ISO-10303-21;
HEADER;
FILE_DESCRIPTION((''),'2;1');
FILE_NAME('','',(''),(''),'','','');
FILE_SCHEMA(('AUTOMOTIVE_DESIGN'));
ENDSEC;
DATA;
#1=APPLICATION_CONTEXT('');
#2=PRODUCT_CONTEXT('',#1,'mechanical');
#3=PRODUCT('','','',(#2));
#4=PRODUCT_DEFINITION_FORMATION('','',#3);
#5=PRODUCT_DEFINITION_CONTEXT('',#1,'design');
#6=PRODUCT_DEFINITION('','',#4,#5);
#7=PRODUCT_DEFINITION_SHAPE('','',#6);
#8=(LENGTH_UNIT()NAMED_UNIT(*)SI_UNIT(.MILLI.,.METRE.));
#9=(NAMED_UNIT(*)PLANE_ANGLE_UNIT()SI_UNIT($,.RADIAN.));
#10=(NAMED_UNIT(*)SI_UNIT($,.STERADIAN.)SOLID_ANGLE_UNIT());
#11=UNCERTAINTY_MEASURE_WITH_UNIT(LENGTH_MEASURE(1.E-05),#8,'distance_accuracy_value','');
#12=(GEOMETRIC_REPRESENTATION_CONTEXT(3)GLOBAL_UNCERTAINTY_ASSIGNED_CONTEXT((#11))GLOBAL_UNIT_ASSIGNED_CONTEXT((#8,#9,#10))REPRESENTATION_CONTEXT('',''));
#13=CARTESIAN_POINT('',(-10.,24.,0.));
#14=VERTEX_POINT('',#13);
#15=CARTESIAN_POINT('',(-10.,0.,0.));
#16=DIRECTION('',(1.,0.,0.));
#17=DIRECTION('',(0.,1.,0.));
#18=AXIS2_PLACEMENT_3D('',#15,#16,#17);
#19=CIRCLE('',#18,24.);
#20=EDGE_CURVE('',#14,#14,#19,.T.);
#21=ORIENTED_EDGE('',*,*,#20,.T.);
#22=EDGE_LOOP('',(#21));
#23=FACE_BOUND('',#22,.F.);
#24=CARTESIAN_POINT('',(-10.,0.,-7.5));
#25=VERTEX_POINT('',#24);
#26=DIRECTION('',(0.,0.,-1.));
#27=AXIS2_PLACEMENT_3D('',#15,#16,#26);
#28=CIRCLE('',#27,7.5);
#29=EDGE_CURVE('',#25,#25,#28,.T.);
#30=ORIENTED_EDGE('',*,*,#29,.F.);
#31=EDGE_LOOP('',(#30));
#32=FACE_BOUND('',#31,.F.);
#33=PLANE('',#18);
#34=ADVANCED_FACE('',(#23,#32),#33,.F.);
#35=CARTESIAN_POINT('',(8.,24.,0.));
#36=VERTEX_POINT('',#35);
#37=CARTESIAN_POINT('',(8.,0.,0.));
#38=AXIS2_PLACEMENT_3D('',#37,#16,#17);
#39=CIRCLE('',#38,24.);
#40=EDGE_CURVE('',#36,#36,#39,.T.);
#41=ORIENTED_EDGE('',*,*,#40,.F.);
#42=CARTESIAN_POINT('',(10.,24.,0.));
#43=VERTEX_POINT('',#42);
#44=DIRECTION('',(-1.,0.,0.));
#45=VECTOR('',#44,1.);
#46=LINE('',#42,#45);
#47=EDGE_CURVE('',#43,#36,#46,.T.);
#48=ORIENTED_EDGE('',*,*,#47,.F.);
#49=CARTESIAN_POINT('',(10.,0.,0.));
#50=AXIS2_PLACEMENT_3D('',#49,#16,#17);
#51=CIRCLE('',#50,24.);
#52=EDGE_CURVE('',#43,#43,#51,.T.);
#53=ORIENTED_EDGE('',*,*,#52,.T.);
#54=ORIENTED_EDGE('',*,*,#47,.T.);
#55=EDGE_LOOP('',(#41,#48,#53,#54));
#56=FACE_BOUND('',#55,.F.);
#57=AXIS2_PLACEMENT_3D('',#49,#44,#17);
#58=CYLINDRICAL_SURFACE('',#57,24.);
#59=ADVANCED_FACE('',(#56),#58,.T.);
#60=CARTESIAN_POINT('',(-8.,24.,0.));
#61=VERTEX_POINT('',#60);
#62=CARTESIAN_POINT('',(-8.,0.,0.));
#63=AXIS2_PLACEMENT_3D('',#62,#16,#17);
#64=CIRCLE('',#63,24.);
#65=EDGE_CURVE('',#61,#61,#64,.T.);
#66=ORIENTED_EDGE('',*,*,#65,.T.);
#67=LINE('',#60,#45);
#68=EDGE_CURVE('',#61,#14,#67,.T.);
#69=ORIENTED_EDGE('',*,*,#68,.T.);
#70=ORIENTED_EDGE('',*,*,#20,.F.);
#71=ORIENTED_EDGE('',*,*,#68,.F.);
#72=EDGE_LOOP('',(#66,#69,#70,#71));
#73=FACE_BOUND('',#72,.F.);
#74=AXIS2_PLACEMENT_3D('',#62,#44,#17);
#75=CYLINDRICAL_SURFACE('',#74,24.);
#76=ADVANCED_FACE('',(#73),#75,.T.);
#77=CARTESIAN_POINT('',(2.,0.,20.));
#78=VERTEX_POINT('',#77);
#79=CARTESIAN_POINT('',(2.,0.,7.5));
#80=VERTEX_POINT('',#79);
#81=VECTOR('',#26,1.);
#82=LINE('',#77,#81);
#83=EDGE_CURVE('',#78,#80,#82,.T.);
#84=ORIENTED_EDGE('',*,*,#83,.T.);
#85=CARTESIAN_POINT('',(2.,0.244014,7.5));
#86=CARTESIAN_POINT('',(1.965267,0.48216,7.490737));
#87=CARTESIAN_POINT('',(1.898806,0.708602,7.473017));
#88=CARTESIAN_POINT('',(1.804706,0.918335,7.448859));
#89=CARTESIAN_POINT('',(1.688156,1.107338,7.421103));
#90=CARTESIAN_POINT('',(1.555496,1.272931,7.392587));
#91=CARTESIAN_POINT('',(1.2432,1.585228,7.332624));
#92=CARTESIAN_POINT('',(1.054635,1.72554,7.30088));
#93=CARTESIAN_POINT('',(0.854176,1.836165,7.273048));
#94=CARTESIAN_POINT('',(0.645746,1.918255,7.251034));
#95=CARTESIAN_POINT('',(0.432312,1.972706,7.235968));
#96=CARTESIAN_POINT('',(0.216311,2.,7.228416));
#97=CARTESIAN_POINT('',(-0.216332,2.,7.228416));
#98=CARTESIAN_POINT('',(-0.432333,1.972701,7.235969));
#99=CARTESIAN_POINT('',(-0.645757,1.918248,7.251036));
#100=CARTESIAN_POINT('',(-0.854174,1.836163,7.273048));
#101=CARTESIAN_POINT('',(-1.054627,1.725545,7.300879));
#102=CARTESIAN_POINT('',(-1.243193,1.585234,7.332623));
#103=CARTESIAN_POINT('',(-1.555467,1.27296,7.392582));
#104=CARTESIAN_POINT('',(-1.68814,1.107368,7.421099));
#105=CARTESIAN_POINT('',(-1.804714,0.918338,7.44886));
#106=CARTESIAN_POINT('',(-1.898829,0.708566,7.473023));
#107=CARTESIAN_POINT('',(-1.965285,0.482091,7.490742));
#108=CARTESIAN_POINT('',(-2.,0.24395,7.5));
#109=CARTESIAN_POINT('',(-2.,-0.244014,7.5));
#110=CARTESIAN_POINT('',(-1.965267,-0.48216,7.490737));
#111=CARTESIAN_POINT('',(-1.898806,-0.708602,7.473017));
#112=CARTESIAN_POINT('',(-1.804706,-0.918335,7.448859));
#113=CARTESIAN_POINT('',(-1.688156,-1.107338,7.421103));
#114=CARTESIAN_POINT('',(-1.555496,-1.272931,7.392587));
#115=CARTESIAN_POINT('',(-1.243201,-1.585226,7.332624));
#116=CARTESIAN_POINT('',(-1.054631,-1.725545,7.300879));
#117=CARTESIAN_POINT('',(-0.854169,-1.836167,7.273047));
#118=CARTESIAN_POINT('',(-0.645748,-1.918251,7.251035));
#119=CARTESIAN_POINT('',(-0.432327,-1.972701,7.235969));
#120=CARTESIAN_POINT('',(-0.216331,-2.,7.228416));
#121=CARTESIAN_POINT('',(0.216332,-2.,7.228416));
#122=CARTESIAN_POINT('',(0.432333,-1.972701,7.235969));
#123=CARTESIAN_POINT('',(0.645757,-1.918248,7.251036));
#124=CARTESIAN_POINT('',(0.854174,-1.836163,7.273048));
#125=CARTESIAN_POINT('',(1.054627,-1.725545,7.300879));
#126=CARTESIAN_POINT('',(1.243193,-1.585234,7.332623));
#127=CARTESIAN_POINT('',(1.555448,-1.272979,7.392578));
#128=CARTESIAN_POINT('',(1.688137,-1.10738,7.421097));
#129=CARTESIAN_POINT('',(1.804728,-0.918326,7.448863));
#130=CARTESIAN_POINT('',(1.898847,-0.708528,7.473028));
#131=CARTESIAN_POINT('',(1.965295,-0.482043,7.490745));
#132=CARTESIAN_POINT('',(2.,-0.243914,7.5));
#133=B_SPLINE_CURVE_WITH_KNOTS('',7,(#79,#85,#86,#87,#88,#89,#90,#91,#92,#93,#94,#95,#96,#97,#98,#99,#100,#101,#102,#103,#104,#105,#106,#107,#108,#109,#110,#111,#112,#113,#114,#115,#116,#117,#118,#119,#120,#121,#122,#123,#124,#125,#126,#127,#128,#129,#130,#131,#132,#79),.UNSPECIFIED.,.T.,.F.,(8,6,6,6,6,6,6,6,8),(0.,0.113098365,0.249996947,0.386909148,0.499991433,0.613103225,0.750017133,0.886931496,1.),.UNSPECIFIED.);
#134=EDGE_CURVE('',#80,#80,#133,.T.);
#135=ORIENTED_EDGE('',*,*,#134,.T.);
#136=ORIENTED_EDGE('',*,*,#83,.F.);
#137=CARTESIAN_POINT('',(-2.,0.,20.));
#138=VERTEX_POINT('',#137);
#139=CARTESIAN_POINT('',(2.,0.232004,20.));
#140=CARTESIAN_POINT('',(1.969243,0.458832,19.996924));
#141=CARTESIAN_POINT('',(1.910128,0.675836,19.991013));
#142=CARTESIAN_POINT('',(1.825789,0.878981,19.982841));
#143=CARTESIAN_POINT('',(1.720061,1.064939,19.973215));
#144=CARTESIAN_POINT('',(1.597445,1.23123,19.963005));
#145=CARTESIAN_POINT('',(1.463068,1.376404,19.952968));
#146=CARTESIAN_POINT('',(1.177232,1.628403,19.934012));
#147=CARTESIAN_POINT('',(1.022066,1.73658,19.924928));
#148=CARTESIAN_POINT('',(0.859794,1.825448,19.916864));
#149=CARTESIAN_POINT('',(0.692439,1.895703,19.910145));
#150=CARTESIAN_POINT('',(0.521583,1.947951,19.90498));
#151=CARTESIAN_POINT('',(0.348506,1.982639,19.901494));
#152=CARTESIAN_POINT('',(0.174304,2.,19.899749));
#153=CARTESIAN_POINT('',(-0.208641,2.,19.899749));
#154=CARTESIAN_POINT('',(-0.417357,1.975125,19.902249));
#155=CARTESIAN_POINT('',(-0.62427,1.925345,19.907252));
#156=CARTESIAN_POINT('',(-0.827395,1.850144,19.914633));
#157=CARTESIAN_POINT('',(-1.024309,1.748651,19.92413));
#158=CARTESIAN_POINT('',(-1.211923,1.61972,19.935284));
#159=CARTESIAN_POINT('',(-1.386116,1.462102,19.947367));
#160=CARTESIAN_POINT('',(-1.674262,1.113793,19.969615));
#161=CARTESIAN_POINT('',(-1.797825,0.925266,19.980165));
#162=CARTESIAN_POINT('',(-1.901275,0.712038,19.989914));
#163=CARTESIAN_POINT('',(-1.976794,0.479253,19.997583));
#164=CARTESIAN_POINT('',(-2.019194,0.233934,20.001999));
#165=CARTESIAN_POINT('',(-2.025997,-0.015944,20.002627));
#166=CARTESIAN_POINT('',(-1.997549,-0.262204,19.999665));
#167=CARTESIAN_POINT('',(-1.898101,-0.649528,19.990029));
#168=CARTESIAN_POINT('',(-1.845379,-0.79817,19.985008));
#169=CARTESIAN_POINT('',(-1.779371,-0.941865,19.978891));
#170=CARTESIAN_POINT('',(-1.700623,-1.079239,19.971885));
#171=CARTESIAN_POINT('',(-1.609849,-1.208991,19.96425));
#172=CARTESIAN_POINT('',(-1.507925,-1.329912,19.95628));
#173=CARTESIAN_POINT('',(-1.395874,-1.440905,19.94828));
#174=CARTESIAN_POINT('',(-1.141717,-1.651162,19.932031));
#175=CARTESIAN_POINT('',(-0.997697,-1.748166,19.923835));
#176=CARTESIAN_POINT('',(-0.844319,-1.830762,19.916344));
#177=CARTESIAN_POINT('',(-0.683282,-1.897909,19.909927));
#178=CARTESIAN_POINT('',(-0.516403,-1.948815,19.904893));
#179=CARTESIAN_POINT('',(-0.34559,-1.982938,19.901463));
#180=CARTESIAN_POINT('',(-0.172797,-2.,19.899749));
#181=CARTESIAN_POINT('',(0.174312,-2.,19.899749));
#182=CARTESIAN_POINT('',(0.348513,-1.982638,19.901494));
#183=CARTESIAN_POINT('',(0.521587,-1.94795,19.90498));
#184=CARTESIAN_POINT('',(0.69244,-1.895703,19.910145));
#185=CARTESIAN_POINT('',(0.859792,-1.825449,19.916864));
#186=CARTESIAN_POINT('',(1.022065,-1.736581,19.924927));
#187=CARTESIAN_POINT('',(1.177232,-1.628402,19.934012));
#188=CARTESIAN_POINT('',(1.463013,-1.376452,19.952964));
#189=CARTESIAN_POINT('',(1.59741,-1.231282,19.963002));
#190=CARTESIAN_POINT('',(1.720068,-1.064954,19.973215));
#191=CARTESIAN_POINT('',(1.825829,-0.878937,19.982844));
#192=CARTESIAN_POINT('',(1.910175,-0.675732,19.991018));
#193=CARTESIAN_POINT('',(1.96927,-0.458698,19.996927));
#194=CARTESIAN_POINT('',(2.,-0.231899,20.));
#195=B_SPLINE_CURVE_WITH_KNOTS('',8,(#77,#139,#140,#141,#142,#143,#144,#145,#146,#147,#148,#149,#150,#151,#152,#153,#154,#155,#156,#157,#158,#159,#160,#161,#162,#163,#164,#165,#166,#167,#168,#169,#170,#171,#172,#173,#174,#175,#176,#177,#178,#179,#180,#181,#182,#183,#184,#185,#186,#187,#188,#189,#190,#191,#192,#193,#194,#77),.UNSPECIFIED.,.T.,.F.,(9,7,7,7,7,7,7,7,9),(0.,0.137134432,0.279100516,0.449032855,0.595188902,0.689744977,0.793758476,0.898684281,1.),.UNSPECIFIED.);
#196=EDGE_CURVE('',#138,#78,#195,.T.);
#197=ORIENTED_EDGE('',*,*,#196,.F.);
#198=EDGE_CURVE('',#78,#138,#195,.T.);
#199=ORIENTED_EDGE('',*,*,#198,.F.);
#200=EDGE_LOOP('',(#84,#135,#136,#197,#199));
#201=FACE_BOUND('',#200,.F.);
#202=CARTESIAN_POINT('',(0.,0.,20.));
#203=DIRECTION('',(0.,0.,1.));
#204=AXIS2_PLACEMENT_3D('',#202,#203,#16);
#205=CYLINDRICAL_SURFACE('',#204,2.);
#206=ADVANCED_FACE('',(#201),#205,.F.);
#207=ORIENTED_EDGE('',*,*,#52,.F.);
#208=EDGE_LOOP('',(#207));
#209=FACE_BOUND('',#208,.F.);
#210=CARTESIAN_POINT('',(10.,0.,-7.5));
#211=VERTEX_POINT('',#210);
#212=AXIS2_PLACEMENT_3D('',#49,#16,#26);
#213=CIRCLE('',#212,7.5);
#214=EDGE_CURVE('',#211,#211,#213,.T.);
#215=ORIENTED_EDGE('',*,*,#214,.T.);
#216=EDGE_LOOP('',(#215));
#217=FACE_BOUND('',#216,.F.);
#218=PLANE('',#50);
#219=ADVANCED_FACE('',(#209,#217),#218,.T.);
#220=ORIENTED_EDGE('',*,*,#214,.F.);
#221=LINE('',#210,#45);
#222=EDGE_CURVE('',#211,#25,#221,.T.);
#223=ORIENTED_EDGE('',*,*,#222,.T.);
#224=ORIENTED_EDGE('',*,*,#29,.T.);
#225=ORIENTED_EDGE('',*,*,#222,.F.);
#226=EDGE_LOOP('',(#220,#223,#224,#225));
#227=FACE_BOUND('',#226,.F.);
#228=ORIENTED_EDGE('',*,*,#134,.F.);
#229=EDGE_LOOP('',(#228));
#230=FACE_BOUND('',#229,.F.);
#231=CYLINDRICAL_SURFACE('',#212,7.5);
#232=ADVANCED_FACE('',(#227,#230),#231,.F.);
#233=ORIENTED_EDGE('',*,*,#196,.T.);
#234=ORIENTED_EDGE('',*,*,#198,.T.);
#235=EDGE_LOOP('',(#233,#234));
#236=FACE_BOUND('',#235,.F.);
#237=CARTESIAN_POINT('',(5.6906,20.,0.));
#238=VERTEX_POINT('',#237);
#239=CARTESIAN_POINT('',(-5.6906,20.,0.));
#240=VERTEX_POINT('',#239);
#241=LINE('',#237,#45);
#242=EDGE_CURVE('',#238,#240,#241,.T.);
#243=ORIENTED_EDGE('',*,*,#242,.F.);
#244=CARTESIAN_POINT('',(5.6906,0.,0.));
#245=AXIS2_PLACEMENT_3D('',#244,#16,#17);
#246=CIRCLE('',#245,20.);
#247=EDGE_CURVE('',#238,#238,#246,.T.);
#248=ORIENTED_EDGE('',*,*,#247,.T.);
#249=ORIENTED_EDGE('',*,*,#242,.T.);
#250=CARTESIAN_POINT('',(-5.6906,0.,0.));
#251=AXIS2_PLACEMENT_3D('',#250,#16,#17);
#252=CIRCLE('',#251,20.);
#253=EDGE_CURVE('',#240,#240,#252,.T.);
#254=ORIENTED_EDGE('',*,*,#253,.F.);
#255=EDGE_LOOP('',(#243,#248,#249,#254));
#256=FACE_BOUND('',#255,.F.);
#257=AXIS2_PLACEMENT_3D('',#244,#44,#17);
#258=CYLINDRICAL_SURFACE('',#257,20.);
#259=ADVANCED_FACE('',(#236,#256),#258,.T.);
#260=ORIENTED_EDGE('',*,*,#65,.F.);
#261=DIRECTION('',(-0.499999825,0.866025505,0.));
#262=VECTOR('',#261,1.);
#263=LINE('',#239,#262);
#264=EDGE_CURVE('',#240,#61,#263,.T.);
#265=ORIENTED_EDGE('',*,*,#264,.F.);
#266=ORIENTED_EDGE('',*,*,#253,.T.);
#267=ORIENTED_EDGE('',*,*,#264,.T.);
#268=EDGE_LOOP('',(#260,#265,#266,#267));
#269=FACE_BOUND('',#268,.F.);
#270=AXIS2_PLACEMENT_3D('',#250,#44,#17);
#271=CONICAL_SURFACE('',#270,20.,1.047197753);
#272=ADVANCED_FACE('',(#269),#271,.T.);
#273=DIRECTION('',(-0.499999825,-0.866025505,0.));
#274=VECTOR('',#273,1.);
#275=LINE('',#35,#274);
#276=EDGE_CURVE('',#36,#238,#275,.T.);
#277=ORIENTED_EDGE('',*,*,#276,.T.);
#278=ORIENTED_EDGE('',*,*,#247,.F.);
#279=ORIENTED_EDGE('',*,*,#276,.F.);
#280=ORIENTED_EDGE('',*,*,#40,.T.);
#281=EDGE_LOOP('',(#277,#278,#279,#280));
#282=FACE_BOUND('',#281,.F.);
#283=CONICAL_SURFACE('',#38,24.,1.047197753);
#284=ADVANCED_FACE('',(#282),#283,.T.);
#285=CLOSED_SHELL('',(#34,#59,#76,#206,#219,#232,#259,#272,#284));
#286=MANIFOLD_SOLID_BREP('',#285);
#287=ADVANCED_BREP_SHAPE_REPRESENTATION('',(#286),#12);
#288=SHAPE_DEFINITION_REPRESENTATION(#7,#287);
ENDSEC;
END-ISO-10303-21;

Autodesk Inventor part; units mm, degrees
ref_plane "YZ Plane" through (0, 0, 0) normal (1, 0, 0) x (0, 1, 0)
ref_plane "XZ Plane" through (0, 0, 0) normal (0, 1, 0) x (-1, 0, 0)
sketch "草图1" plane through (0, 0, 0) normal (0, 0, 1) x (1, 0, 0)
  line L0 (-10, 0) -> (10, 0)
  line L1 (10, 0) -> (10, 24)
  line L2 (10, 24) -> (8, 24)
  line L3 (8, 24) -> (5.6906, 20)
  line L4 (5.6906, 20) -> (-5.6906, 20)
  line L5 (-5.6906, 20) -> (-8, 24)
  line L6 (-8, 24) -> (-10, 24)
  line L7 (-10, 24) -> (-10, 0)
  line L8 (-14, 0) -> (14, 0) projected
  point P0 (0, 0)
  point P1 (0, 0)
  dimension "d1" = 24
  dimension "d2" = 4
  dimension "d4" = 20
  dimension "d5" = 2
  dimension "d6" = 120
  dimension "d7" = 120
  dimension "d8" = 2
revolve "旋转1" add sketch "草图1" angle 360 about axis through (-10, 0, 0) along (1, 0, 0)
sketch "草图2" plane through (10, 0, 0) normal (1, 0, 0) x (0, 0, -1)
  circle A0 centre (0, 0) radius 7.5
  dimension "d10" = 15
extrude "拉伸1" cut sketch "草图2" against normal through all
ref_plane "工作平面1" through (0, 0, 20) normal (0, 0, 1) x (1, 0, 0)
sketch "草图3" plane through (0, 0, 20) normal (0, 0, 1) x (1, 0, 0)
  circle A0 centre (0, 0) radius 2
  dimension "d13" = 4
extrude "拉伸2" cut sketch "草图3" against normal up to surface
thread "螺纹1" size "M4x0.7" class "6H" standard "ANSI Metric M Profile" full length
properties part number "砂轮电机皮带轮"
